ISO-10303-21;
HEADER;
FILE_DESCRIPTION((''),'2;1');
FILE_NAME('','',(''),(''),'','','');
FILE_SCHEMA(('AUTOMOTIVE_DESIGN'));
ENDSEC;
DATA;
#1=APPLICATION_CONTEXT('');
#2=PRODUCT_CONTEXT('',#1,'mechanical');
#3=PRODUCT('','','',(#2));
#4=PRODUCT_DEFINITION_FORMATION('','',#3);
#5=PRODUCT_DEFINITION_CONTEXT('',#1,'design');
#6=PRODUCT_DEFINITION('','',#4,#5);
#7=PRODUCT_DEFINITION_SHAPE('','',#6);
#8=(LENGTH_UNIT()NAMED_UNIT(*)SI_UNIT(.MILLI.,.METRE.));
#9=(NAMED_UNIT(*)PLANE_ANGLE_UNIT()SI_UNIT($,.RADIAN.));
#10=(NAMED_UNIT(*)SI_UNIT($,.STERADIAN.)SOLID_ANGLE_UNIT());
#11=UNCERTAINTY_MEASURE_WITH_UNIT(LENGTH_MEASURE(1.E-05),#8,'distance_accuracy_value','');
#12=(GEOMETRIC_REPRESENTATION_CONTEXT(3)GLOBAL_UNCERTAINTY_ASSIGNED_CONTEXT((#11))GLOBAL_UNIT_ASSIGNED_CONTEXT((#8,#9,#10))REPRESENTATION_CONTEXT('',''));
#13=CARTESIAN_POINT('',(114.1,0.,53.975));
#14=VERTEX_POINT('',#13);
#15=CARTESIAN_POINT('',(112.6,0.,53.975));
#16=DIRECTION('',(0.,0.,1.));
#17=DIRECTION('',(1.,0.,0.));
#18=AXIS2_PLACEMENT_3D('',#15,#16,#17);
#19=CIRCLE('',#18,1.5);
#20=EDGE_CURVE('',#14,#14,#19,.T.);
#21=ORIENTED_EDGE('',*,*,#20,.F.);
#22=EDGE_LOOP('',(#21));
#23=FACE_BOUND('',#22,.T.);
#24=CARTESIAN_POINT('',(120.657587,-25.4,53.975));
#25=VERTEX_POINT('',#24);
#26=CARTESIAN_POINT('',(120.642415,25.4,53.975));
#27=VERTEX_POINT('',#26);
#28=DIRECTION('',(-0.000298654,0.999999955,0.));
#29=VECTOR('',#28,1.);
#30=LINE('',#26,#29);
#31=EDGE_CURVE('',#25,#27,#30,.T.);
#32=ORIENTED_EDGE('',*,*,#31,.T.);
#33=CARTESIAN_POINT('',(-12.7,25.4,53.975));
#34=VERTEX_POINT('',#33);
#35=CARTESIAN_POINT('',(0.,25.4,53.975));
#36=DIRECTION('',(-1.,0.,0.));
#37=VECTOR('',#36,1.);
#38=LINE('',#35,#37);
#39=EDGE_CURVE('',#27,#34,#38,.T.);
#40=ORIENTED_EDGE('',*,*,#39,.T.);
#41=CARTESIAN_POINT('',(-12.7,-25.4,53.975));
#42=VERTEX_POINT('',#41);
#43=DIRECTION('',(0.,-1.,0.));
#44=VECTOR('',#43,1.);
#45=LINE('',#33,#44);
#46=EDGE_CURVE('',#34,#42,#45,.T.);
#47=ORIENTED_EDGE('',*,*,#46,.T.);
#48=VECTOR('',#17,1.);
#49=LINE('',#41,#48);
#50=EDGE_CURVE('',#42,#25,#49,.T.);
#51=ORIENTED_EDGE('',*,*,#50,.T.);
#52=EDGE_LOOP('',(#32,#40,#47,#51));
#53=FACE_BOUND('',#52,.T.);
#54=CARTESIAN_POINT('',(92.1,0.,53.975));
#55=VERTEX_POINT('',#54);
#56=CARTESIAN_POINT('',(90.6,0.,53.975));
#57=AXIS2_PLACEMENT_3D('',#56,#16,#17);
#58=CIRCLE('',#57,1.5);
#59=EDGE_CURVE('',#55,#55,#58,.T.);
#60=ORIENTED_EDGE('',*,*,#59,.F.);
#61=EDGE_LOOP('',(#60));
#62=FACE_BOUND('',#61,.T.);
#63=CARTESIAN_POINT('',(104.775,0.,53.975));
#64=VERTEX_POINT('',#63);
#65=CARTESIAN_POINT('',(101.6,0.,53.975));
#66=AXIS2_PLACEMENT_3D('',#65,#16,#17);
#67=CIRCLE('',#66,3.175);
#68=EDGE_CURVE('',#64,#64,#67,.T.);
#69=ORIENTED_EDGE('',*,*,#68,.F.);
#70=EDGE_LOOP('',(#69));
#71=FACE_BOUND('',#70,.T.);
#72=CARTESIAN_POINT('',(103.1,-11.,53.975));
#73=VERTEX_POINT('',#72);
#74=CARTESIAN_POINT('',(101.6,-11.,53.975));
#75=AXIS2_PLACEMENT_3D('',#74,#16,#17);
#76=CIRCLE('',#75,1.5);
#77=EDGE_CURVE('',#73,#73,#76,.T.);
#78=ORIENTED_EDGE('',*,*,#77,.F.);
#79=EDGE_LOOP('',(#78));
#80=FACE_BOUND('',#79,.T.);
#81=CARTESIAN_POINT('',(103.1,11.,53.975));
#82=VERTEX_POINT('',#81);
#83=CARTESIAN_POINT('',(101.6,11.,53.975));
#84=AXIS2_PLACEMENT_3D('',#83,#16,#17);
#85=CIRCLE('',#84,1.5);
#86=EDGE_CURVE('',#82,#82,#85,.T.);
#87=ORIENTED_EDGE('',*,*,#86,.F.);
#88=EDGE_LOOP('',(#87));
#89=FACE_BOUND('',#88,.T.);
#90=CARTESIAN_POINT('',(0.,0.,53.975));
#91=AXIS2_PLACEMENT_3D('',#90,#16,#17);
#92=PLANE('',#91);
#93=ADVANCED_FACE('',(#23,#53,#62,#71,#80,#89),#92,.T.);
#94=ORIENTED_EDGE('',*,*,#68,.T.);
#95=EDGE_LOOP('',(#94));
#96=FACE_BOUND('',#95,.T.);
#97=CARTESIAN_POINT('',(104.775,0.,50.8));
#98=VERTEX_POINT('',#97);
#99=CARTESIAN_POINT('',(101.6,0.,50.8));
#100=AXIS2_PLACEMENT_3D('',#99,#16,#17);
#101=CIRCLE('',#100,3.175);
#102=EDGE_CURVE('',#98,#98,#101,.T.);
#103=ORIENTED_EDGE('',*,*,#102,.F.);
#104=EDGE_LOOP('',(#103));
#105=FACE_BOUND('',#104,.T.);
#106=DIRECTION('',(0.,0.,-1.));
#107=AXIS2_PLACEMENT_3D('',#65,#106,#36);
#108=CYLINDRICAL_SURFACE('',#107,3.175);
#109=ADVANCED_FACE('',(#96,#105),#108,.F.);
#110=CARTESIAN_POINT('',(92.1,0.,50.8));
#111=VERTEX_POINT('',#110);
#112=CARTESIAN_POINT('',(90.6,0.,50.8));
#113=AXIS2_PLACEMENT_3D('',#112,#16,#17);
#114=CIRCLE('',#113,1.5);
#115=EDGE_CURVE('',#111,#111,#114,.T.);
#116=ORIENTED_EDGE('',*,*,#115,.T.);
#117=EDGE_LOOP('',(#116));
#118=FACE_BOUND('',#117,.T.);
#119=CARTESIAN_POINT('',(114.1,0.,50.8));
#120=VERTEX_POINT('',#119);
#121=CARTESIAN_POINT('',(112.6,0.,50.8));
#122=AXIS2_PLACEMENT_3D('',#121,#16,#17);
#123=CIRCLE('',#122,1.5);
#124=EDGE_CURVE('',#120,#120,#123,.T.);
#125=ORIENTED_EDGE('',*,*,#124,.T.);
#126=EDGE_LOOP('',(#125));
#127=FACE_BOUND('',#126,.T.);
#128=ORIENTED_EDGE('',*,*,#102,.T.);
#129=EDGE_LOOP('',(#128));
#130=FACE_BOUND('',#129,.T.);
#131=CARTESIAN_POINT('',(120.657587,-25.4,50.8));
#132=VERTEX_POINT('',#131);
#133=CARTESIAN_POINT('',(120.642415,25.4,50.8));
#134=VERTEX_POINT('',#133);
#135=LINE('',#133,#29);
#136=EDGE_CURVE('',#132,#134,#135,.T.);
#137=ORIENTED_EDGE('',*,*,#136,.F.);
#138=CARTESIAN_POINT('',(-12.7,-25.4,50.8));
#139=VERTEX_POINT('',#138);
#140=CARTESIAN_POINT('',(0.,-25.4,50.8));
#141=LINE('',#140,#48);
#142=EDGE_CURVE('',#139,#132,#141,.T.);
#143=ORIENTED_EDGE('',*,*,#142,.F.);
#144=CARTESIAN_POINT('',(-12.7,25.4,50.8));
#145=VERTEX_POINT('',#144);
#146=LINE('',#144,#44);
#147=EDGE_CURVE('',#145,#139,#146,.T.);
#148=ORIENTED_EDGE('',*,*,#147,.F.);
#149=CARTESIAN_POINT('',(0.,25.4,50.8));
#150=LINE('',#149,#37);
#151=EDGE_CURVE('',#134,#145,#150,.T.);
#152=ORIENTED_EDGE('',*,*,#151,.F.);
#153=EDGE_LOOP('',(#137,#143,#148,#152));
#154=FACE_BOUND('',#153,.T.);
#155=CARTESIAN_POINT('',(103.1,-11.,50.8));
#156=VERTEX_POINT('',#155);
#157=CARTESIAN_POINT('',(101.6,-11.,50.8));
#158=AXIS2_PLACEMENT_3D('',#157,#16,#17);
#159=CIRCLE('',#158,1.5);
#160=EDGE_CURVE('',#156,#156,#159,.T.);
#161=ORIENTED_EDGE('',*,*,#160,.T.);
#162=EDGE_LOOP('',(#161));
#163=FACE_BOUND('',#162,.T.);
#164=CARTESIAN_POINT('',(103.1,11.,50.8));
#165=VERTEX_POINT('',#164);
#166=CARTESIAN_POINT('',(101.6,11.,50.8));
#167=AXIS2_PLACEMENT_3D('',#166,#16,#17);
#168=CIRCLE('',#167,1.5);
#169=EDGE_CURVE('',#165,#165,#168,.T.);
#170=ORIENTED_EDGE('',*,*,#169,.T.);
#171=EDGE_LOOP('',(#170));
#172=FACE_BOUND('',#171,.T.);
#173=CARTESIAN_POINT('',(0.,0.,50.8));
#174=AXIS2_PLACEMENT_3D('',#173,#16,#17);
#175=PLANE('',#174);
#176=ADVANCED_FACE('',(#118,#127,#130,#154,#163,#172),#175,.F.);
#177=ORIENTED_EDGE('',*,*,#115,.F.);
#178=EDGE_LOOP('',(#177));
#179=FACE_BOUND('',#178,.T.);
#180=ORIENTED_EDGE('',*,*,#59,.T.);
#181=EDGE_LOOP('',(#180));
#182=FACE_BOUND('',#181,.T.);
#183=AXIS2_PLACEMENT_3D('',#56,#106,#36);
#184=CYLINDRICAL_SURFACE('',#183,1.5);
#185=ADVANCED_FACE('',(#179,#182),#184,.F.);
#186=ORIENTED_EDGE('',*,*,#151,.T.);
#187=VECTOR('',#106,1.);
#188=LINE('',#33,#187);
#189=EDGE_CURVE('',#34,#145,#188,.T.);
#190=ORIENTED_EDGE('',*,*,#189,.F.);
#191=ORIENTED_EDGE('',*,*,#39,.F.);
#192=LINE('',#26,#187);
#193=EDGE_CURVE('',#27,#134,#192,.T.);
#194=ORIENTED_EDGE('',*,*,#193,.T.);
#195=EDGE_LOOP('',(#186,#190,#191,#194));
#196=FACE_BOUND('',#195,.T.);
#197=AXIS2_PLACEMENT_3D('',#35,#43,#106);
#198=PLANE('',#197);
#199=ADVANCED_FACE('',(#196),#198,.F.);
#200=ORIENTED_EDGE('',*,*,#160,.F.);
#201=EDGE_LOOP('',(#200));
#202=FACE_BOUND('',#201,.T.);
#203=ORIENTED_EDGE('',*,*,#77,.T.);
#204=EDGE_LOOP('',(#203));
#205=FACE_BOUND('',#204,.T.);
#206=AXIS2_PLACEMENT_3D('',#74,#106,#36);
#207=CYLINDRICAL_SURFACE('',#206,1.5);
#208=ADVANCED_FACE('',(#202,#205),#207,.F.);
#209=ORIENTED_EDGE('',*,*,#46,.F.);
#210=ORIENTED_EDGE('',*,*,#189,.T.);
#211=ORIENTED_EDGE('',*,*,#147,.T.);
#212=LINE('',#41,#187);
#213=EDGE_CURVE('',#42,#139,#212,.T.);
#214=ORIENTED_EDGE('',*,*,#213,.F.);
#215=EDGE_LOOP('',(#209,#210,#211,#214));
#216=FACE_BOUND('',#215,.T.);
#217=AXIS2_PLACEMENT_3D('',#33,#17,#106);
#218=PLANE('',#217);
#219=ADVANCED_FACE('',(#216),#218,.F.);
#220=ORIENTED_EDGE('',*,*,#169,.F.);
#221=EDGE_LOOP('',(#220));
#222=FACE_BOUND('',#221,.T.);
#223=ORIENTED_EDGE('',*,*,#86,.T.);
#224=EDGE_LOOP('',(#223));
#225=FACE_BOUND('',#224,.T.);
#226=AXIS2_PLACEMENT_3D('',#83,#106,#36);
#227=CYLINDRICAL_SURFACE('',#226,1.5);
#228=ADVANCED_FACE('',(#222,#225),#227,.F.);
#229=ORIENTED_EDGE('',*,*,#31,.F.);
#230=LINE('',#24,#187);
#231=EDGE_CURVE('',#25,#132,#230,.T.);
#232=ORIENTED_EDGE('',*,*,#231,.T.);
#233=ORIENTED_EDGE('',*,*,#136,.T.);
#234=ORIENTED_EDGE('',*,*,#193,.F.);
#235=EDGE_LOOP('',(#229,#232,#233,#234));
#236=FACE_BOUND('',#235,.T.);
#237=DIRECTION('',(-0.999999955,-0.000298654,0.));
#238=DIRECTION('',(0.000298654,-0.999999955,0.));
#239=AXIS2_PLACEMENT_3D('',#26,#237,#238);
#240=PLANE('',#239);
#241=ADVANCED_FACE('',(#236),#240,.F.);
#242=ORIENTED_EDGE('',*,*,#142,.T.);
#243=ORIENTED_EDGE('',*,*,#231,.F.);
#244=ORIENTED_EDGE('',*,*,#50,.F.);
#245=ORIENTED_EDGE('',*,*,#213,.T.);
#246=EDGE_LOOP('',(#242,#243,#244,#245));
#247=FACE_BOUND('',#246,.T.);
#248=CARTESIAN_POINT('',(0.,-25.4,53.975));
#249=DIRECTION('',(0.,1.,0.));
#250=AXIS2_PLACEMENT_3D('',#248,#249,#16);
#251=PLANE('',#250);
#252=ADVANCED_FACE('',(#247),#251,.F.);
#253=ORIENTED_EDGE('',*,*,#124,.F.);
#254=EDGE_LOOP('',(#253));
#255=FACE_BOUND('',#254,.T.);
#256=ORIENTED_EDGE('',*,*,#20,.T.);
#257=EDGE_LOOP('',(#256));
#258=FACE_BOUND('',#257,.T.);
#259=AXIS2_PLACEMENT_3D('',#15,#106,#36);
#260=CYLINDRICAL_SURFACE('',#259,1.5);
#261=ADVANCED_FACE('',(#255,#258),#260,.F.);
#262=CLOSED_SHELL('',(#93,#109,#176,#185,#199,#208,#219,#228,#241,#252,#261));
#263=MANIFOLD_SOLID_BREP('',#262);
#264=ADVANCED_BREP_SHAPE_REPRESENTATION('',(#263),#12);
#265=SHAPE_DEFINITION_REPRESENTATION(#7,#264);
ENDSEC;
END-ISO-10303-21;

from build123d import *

# Parameters (mm, degrees)
SKETCH1_R           = 3.175
SKETCH1_R_2         = 1.5
BOSS_EXTRUDE1_DEPTH = 3.175


with BuildPart() as part:
    # Sketch1 → Boss-Extrude1 (new body)
    with BuildSketch(Plane.XY.offset(50.8)):
        Polygon((0, 25.4), (-12.7, 25.4), (-12.7, -25.4), (0, -25.4), (120.657586649, -25.4), (120.64241505, 25.4), align=None)
        with Locations((101.6, 0)):
            Circle(SKETCH1_R, mode=Mode.SUBTRACT)
        with Locations((101.6, 11)):
            Circle(SKETCH1_R_2, mode=Mode.SUBTRACT)
        with Locations((112.6, 0)):
            Circle(SKETCH1_R_2, mode=Mode.SUBTRACT)
        with Locations((101.6, -11)):
            Circle(SKETCH1_R_2, mode=Mode.SUBTRACT)
        with Locations((90.6, 0)):
            Circle(SKETCH1_R_2, mode=Mode.SUBTRACT)
    extrude(amount=BOSS_EXTRUDE1_DEPTH)


solid = part.part
